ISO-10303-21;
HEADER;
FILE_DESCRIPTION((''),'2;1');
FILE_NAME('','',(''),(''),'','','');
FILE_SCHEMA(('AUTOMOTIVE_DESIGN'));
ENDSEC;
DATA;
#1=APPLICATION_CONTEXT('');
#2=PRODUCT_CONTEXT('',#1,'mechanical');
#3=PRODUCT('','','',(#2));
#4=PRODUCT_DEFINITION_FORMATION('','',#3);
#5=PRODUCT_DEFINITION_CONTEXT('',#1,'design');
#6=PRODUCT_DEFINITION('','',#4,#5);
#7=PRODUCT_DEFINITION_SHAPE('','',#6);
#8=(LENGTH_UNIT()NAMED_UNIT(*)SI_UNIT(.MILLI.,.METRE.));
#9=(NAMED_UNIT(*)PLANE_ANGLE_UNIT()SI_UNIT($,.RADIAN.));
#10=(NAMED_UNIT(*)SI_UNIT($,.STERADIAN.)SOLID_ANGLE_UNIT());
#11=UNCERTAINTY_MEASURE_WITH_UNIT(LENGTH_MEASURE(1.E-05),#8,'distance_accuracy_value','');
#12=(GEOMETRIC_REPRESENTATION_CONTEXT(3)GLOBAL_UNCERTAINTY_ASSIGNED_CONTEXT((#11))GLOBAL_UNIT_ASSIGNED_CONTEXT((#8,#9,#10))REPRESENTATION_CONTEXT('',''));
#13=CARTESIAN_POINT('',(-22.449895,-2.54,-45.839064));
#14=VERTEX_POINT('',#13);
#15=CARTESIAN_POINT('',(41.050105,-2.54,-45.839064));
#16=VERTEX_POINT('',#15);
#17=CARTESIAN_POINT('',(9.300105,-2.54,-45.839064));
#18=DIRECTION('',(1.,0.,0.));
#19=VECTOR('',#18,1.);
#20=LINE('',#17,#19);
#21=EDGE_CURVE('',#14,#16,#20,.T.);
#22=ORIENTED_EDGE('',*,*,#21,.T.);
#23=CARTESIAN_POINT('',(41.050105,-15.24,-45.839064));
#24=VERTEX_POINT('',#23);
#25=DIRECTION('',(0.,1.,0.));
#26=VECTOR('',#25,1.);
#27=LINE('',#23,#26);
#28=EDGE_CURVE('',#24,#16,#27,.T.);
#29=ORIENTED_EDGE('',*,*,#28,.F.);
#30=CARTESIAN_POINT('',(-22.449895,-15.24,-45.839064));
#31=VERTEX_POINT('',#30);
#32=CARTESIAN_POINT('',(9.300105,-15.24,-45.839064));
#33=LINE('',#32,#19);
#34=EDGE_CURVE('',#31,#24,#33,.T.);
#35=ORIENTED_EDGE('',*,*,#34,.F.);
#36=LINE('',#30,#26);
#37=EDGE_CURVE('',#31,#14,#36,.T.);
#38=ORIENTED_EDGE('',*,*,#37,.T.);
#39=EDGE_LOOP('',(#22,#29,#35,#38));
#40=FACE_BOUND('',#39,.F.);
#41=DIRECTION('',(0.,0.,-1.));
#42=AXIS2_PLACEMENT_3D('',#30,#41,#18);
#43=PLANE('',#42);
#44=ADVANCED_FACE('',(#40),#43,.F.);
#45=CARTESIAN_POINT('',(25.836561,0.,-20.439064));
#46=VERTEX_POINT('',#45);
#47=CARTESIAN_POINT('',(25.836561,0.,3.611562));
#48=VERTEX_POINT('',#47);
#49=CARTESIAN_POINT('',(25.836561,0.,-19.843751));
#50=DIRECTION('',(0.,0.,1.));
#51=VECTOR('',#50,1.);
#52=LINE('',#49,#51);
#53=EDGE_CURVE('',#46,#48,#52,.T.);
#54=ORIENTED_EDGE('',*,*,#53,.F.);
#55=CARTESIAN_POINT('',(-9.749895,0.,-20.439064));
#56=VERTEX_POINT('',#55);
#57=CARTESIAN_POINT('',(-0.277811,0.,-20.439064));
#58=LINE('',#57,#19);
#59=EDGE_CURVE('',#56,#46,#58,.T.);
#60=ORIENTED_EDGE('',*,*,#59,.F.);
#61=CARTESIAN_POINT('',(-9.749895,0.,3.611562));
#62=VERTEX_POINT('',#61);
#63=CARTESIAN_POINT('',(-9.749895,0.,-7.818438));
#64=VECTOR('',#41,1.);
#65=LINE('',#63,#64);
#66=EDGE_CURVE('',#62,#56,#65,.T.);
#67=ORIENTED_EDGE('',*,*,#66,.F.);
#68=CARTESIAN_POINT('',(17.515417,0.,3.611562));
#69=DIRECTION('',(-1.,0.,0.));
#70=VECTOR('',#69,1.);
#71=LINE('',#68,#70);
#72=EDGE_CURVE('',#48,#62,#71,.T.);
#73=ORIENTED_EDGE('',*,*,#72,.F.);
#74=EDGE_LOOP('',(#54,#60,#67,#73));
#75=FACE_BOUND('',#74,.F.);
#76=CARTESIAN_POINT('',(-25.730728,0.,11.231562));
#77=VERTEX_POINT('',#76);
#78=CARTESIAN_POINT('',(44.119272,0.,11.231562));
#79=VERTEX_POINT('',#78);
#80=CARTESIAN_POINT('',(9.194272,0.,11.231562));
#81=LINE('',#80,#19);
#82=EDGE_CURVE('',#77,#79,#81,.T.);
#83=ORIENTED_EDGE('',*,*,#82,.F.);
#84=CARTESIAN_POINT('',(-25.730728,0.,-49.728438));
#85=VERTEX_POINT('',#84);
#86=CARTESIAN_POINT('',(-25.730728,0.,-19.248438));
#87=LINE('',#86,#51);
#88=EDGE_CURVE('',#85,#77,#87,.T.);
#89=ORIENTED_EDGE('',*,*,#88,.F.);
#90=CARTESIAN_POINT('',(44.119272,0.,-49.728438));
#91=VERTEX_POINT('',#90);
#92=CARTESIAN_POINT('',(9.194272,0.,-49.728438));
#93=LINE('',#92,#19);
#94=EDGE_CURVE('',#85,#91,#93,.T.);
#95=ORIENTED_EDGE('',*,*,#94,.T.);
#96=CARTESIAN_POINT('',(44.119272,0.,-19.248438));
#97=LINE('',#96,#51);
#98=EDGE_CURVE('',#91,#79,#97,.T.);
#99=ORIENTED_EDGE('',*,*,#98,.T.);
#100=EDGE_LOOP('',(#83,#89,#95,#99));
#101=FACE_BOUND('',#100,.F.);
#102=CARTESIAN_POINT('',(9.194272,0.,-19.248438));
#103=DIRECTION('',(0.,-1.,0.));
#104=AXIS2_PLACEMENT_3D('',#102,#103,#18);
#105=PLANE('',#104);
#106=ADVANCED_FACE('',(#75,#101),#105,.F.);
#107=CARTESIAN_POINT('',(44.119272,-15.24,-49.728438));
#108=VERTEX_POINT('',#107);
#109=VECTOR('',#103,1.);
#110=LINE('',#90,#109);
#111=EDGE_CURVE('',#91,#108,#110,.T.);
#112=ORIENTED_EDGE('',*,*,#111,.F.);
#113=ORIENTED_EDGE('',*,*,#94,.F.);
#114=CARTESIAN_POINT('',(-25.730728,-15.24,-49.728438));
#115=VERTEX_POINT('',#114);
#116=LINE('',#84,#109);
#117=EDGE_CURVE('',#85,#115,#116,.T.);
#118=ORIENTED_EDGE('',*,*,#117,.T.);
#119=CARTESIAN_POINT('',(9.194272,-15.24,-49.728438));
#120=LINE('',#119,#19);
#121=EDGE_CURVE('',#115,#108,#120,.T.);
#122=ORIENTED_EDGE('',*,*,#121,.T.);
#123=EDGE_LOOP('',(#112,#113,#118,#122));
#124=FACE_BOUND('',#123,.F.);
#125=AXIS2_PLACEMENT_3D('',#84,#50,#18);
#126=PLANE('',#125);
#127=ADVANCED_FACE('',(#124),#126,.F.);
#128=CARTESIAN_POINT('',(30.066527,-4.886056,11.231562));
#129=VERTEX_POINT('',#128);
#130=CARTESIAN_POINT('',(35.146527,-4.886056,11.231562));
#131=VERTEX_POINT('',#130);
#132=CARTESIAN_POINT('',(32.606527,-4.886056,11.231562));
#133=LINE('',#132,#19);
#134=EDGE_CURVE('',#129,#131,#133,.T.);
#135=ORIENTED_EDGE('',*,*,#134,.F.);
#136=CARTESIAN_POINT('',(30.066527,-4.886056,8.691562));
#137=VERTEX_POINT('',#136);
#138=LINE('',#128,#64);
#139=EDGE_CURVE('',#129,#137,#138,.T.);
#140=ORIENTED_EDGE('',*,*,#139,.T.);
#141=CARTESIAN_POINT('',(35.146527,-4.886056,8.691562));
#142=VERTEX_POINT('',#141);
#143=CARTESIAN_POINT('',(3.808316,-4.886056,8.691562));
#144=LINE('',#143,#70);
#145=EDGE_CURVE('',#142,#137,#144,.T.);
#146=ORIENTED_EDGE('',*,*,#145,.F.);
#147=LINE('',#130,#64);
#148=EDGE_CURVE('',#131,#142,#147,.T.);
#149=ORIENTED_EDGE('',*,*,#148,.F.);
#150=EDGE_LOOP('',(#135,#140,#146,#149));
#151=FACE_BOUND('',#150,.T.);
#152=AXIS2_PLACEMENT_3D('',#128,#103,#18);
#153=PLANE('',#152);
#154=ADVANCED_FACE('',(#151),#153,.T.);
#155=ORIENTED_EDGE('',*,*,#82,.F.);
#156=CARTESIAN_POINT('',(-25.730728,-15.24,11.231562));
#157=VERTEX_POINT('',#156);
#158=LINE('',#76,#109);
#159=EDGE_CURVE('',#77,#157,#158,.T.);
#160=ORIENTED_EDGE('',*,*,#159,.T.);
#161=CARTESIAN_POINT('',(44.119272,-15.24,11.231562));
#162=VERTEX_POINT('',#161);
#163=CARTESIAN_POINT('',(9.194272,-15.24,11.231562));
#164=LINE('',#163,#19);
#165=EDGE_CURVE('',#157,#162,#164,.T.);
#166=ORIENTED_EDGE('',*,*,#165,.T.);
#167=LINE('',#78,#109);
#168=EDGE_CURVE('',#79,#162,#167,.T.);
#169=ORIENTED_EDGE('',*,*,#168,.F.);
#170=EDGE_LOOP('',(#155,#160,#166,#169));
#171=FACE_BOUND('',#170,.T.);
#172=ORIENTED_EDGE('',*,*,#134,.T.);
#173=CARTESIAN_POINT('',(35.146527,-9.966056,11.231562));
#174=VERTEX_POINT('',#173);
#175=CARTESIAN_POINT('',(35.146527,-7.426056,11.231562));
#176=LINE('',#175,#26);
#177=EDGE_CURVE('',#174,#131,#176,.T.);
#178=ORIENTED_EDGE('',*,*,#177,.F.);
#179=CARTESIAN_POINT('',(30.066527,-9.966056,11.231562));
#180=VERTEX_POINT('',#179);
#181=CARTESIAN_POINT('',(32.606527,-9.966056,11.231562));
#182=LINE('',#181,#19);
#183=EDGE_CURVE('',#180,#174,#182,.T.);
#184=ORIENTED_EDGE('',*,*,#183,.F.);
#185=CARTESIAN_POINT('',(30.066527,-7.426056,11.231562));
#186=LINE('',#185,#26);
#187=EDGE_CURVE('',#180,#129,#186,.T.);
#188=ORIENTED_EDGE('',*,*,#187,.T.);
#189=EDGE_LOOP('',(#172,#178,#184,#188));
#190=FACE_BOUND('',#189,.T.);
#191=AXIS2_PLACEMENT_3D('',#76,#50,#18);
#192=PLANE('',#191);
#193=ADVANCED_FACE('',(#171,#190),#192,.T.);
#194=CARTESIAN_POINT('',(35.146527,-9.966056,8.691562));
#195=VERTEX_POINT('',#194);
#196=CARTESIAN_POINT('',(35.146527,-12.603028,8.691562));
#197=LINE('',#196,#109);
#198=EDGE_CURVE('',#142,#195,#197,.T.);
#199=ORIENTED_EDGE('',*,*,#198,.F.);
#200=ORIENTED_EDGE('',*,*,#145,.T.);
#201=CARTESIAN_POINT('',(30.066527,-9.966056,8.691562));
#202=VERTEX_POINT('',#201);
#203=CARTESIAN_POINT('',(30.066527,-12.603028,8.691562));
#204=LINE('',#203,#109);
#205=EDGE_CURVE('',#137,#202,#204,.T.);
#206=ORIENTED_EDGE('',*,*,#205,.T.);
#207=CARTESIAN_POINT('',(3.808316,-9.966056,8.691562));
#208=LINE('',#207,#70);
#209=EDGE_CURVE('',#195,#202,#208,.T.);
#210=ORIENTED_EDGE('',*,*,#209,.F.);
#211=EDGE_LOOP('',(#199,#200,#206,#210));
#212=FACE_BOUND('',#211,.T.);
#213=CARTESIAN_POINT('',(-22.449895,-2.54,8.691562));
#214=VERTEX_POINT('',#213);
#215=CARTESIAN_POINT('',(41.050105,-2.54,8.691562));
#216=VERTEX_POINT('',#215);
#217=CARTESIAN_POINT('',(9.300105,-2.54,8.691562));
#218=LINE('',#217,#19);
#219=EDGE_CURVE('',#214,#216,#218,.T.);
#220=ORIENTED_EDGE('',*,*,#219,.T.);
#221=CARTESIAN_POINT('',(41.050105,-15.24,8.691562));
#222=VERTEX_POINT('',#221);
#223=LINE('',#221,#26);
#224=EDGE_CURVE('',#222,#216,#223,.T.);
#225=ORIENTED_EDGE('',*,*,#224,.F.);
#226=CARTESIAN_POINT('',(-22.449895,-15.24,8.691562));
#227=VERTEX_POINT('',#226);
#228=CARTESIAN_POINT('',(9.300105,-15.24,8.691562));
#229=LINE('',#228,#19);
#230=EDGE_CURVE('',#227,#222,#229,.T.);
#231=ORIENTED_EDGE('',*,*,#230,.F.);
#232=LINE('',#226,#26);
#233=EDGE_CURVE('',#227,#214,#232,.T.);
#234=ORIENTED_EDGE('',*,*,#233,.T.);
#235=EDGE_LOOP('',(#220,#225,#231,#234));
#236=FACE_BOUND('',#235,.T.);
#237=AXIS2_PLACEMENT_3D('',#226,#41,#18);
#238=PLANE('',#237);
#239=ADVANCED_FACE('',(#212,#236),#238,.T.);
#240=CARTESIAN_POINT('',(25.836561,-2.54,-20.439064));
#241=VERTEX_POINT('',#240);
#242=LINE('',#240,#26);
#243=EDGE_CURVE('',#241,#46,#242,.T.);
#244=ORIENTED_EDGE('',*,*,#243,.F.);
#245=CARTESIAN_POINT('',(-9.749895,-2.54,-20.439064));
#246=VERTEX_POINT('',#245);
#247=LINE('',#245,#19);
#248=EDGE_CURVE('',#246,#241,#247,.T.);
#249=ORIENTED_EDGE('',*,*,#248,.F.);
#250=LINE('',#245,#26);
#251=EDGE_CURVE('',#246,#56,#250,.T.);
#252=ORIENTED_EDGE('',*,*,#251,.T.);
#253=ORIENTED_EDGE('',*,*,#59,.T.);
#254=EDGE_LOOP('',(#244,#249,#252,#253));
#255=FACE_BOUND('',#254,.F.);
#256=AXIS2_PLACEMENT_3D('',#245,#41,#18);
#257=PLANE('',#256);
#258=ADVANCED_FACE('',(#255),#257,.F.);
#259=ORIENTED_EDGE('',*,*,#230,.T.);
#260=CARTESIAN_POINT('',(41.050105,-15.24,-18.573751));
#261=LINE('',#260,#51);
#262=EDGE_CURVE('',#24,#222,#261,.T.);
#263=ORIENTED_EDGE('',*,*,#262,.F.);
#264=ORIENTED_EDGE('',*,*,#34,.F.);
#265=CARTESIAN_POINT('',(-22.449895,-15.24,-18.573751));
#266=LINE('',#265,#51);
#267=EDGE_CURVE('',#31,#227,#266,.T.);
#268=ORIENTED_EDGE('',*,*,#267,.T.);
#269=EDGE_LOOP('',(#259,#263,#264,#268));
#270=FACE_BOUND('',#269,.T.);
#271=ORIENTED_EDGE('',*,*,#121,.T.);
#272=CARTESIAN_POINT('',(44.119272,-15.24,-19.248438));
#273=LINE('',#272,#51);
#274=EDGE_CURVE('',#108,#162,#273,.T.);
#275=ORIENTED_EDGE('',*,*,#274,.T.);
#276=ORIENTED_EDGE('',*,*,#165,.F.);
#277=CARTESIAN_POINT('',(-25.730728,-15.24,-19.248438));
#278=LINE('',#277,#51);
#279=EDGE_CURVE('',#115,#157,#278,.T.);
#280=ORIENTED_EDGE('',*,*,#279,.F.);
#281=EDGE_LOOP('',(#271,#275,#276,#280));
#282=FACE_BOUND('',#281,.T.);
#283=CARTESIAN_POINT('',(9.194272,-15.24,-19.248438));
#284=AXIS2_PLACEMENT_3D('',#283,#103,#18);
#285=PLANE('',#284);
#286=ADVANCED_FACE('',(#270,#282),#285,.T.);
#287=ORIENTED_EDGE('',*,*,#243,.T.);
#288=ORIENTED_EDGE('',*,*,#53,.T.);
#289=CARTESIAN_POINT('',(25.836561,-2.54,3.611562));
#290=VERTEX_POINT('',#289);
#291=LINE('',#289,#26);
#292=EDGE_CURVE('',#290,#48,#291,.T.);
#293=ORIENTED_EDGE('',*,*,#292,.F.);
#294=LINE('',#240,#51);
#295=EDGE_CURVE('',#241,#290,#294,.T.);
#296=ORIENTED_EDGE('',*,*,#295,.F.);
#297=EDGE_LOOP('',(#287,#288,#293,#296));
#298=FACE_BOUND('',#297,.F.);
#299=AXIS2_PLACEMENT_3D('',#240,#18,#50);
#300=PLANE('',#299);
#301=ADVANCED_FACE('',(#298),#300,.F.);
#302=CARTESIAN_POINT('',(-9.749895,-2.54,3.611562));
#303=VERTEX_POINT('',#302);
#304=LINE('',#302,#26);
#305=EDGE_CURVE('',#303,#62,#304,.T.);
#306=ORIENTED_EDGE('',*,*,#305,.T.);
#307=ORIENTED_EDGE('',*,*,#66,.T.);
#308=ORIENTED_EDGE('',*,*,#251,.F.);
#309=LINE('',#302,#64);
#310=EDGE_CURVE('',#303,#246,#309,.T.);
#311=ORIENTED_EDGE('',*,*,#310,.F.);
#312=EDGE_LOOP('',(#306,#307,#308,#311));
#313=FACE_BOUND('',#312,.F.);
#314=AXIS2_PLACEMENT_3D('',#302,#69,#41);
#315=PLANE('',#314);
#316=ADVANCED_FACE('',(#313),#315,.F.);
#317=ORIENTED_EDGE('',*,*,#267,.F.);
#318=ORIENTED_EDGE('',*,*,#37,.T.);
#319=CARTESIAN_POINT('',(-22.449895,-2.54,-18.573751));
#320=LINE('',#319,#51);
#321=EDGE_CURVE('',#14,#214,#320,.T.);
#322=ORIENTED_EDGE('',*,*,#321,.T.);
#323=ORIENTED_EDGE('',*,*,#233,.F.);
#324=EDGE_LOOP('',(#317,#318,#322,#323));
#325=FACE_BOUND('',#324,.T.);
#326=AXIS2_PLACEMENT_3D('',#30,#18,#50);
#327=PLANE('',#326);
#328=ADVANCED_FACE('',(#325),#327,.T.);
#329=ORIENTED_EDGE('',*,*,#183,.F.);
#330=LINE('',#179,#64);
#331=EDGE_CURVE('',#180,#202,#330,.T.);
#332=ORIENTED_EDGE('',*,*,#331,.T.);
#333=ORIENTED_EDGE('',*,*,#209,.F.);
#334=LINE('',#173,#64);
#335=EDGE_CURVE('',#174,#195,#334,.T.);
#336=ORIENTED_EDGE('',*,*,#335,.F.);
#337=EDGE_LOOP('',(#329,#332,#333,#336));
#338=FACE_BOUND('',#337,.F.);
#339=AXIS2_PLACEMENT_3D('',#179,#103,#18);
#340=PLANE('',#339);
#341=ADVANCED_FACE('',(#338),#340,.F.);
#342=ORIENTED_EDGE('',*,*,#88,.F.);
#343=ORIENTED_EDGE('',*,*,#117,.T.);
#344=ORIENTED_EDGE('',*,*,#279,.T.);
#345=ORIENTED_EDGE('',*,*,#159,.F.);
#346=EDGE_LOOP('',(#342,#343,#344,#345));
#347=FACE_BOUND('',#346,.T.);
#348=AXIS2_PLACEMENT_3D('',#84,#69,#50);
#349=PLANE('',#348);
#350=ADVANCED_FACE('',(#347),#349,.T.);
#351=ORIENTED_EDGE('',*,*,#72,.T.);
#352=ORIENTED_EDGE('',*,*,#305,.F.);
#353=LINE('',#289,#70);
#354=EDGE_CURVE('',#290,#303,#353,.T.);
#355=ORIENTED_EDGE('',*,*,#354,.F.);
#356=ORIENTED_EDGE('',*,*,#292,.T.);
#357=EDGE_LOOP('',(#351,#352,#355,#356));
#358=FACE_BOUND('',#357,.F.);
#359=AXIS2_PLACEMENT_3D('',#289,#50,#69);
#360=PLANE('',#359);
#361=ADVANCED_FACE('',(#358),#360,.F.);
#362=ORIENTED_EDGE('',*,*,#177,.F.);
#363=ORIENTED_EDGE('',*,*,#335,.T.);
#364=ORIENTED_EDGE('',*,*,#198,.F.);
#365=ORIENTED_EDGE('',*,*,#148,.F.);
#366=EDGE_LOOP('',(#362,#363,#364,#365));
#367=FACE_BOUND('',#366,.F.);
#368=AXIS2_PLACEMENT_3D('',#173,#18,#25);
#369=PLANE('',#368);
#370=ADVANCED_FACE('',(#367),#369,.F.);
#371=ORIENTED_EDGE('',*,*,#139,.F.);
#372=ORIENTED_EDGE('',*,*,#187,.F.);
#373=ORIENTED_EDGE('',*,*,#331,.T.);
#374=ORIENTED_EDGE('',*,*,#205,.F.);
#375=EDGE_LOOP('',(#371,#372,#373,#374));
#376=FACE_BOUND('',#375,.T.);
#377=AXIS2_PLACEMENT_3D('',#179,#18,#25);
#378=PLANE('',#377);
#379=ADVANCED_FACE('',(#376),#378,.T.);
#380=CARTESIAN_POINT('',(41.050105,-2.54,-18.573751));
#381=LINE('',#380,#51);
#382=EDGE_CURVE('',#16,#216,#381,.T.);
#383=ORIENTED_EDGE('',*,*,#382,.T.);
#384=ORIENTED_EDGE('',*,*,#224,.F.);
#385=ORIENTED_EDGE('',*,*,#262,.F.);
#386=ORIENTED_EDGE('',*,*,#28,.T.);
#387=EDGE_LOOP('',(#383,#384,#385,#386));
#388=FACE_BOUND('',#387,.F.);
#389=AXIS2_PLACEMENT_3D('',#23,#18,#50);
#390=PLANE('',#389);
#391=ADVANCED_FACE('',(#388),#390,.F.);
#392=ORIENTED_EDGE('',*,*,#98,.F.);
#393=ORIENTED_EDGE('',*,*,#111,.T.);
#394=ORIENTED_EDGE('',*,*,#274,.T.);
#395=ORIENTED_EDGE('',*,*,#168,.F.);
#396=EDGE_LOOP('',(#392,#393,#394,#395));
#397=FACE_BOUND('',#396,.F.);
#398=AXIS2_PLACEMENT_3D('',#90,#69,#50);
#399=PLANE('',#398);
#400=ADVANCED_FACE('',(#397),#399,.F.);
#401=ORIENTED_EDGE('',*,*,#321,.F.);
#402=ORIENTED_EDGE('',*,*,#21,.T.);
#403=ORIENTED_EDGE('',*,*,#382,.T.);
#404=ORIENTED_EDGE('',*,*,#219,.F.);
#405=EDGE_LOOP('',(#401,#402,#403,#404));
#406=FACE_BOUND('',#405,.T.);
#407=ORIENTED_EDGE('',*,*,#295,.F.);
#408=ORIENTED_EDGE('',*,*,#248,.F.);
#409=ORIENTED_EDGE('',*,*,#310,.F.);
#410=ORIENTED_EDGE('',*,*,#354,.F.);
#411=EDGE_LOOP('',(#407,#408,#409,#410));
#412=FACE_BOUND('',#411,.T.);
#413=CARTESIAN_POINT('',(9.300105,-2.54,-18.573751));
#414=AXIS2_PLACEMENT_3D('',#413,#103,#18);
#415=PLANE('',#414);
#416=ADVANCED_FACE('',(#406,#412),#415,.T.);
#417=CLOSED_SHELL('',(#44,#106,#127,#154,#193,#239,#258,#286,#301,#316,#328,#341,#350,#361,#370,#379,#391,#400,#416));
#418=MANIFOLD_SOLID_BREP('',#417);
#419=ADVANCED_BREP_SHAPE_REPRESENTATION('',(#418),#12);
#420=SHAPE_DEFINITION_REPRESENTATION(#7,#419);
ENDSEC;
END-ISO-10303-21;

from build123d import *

# Parameters (mm, degrees)
F0_W     = 69.85
F0_H     = 60.96
F1_DEPTH = 15.24
F2_W     = 63.5
F2_H     = 54.530626
F3_DEPTH = 12.7
F4_W     = 5.08
F4_H     = 5.08
F5_DEPTH = 25.4
F7_DEPTH = 25.4


with BuildPart() as f1:
    # F0 (on Front) → F1 (new body)
    with BuildSketch(Plane.XZ):
        with Locations((9.194272, -19.248438)):
            Rectangle(F0_W, F0_H)
    extrude(amount=F1_DEPTH)

    # F2 (on face) → F3 (cut)
    with BuildSketch(Plane.XZ.offset(15.24)):
        with Locations((9.300105, -18.573751)):
            Rectangle(F2_W, F2_H)
    extrude(amount=-F3_DEPTH, mode=Mode.SUBTRACT)

    # F4 (on face) → F5 (cut)
    with BuildSketch(Plane.XY.offset(11.231562)):
        with Locations((32.606527, -7.426056)):
            Rectangle(F4_W, F4_H)
    extrude(amount=-F5_DEPTH, mode=Mode.SUBTRACT)

    # F6 (on face) → F7 (cut)
    with BuildSketch(Plane.XZ.offset(2.54)):
        Polygon((-9.749895, 3.611562), (-9.749895, -11.760729), (-9.749895, -20.439064), (25.836561, -20.439064), (25.836561, 3.611562), (9.300105, 3.611562), align=None)
    extrude(amount=-F7_DEPTH, mode=Mode.SUBTRACT)


solid = f1.part
